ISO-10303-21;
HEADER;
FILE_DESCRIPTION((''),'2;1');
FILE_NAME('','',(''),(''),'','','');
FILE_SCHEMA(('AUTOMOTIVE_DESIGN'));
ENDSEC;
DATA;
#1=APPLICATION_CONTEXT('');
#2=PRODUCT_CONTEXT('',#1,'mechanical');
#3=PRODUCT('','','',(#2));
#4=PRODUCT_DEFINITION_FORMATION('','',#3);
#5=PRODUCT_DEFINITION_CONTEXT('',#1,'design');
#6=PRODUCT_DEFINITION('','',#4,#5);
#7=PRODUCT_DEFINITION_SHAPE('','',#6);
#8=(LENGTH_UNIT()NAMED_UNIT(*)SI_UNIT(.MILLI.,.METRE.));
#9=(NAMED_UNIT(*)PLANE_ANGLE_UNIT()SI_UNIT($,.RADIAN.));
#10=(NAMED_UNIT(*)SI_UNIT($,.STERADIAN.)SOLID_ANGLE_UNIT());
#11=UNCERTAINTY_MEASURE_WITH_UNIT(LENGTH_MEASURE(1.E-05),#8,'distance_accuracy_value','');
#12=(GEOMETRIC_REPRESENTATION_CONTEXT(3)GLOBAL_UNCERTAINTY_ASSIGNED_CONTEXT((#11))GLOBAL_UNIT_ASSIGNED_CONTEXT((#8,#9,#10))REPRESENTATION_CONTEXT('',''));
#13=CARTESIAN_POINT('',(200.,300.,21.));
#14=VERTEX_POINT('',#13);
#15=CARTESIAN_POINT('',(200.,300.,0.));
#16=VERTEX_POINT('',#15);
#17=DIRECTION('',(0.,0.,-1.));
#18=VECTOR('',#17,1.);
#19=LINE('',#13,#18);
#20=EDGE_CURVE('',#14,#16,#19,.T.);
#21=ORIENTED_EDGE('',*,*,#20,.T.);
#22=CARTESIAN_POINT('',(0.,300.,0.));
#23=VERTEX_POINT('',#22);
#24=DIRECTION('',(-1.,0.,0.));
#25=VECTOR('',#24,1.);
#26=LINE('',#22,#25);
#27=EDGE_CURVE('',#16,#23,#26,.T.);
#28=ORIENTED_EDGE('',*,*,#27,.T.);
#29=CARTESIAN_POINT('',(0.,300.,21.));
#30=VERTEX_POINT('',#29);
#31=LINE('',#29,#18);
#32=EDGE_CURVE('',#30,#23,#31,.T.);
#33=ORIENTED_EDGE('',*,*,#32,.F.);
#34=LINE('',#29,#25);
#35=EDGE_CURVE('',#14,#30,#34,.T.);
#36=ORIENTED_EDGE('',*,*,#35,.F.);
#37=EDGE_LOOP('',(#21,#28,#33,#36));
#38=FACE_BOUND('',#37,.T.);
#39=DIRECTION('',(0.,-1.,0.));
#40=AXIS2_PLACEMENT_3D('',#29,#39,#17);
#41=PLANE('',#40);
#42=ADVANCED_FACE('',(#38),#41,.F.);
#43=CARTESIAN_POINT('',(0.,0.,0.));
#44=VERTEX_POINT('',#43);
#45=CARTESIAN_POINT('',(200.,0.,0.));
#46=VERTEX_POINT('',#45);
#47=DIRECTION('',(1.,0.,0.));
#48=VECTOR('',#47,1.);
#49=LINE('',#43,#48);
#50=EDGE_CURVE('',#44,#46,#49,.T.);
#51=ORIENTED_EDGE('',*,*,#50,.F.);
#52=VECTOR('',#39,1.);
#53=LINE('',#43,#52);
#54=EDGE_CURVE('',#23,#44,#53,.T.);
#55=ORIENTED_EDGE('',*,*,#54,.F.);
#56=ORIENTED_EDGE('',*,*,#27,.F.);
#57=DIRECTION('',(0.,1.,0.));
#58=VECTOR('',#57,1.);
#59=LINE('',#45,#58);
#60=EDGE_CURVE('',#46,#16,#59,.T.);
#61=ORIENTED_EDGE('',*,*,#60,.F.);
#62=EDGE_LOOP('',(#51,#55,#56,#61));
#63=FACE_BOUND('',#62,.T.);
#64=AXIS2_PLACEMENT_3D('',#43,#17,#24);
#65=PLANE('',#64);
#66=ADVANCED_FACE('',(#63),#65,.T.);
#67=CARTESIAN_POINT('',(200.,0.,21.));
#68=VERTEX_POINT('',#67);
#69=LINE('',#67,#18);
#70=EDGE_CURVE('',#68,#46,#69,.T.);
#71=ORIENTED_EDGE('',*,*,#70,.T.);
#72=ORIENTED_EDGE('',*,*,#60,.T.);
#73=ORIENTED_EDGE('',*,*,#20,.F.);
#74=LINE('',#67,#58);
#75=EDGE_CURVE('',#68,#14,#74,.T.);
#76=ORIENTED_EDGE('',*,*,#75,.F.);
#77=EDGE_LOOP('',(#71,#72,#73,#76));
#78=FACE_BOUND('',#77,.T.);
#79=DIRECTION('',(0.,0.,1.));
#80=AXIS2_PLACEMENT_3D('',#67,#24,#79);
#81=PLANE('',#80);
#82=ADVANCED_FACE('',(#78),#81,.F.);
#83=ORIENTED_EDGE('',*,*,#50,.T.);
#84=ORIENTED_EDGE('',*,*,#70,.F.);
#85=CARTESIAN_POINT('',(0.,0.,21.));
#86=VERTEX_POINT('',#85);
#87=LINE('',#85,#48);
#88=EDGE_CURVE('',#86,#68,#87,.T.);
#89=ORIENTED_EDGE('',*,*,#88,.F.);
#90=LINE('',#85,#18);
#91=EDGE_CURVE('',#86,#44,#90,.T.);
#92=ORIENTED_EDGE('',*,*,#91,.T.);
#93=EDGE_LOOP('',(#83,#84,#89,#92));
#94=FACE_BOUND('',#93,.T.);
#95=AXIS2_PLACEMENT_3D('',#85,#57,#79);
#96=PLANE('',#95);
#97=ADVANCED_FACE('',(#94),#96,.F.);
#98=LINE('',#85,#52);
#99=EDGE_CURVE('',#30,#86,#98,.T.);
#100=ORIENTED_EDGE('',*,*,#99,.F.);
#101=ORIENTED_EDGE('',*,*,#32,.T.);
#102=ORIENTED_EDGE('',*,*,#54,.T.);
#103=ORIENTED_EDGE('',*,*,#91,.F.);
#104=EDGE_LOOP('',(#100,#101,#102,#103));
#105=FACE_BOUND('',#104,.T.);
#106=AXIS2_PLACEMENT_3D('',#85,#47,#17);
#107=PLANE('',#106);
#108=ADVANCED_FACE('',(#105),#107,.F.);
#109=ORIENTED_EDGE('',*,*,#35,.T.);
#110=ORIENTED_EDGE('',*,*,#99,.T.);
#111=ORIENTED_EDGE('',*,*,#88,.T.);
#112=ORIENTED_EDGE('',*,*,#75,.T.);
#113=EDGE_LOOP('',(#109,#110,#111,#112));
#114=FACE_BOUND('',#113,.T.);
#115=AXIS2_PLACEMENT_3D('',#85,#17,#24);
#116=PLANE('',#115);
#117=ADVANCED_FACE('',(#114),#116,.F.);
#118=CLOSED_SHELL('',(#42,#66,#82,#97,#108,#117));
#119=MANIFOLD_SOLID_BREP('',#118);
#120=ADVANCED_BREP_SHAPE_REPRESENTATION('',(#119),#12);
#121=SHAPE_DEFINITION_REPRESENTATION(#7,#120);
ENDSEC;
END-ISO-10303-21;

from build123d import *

# Parameters (mm, degrees)
SKETCH1_W           = 200
SKETCH1_H           = 300
BOSS_EXTRUDE1_DEPTH = 21


with BuildPart() as part:
    # Sketch1 → Boss-Extrude1 (new body)
    with BuildSketch(Plane.XY):
        with Locations((100, 150)):
            Rectangle(SKETCH1_W, SKETCH1_H)
    extrude(amount=BOSS_EXTRUDE1_DEPTH)


solid = part.part
